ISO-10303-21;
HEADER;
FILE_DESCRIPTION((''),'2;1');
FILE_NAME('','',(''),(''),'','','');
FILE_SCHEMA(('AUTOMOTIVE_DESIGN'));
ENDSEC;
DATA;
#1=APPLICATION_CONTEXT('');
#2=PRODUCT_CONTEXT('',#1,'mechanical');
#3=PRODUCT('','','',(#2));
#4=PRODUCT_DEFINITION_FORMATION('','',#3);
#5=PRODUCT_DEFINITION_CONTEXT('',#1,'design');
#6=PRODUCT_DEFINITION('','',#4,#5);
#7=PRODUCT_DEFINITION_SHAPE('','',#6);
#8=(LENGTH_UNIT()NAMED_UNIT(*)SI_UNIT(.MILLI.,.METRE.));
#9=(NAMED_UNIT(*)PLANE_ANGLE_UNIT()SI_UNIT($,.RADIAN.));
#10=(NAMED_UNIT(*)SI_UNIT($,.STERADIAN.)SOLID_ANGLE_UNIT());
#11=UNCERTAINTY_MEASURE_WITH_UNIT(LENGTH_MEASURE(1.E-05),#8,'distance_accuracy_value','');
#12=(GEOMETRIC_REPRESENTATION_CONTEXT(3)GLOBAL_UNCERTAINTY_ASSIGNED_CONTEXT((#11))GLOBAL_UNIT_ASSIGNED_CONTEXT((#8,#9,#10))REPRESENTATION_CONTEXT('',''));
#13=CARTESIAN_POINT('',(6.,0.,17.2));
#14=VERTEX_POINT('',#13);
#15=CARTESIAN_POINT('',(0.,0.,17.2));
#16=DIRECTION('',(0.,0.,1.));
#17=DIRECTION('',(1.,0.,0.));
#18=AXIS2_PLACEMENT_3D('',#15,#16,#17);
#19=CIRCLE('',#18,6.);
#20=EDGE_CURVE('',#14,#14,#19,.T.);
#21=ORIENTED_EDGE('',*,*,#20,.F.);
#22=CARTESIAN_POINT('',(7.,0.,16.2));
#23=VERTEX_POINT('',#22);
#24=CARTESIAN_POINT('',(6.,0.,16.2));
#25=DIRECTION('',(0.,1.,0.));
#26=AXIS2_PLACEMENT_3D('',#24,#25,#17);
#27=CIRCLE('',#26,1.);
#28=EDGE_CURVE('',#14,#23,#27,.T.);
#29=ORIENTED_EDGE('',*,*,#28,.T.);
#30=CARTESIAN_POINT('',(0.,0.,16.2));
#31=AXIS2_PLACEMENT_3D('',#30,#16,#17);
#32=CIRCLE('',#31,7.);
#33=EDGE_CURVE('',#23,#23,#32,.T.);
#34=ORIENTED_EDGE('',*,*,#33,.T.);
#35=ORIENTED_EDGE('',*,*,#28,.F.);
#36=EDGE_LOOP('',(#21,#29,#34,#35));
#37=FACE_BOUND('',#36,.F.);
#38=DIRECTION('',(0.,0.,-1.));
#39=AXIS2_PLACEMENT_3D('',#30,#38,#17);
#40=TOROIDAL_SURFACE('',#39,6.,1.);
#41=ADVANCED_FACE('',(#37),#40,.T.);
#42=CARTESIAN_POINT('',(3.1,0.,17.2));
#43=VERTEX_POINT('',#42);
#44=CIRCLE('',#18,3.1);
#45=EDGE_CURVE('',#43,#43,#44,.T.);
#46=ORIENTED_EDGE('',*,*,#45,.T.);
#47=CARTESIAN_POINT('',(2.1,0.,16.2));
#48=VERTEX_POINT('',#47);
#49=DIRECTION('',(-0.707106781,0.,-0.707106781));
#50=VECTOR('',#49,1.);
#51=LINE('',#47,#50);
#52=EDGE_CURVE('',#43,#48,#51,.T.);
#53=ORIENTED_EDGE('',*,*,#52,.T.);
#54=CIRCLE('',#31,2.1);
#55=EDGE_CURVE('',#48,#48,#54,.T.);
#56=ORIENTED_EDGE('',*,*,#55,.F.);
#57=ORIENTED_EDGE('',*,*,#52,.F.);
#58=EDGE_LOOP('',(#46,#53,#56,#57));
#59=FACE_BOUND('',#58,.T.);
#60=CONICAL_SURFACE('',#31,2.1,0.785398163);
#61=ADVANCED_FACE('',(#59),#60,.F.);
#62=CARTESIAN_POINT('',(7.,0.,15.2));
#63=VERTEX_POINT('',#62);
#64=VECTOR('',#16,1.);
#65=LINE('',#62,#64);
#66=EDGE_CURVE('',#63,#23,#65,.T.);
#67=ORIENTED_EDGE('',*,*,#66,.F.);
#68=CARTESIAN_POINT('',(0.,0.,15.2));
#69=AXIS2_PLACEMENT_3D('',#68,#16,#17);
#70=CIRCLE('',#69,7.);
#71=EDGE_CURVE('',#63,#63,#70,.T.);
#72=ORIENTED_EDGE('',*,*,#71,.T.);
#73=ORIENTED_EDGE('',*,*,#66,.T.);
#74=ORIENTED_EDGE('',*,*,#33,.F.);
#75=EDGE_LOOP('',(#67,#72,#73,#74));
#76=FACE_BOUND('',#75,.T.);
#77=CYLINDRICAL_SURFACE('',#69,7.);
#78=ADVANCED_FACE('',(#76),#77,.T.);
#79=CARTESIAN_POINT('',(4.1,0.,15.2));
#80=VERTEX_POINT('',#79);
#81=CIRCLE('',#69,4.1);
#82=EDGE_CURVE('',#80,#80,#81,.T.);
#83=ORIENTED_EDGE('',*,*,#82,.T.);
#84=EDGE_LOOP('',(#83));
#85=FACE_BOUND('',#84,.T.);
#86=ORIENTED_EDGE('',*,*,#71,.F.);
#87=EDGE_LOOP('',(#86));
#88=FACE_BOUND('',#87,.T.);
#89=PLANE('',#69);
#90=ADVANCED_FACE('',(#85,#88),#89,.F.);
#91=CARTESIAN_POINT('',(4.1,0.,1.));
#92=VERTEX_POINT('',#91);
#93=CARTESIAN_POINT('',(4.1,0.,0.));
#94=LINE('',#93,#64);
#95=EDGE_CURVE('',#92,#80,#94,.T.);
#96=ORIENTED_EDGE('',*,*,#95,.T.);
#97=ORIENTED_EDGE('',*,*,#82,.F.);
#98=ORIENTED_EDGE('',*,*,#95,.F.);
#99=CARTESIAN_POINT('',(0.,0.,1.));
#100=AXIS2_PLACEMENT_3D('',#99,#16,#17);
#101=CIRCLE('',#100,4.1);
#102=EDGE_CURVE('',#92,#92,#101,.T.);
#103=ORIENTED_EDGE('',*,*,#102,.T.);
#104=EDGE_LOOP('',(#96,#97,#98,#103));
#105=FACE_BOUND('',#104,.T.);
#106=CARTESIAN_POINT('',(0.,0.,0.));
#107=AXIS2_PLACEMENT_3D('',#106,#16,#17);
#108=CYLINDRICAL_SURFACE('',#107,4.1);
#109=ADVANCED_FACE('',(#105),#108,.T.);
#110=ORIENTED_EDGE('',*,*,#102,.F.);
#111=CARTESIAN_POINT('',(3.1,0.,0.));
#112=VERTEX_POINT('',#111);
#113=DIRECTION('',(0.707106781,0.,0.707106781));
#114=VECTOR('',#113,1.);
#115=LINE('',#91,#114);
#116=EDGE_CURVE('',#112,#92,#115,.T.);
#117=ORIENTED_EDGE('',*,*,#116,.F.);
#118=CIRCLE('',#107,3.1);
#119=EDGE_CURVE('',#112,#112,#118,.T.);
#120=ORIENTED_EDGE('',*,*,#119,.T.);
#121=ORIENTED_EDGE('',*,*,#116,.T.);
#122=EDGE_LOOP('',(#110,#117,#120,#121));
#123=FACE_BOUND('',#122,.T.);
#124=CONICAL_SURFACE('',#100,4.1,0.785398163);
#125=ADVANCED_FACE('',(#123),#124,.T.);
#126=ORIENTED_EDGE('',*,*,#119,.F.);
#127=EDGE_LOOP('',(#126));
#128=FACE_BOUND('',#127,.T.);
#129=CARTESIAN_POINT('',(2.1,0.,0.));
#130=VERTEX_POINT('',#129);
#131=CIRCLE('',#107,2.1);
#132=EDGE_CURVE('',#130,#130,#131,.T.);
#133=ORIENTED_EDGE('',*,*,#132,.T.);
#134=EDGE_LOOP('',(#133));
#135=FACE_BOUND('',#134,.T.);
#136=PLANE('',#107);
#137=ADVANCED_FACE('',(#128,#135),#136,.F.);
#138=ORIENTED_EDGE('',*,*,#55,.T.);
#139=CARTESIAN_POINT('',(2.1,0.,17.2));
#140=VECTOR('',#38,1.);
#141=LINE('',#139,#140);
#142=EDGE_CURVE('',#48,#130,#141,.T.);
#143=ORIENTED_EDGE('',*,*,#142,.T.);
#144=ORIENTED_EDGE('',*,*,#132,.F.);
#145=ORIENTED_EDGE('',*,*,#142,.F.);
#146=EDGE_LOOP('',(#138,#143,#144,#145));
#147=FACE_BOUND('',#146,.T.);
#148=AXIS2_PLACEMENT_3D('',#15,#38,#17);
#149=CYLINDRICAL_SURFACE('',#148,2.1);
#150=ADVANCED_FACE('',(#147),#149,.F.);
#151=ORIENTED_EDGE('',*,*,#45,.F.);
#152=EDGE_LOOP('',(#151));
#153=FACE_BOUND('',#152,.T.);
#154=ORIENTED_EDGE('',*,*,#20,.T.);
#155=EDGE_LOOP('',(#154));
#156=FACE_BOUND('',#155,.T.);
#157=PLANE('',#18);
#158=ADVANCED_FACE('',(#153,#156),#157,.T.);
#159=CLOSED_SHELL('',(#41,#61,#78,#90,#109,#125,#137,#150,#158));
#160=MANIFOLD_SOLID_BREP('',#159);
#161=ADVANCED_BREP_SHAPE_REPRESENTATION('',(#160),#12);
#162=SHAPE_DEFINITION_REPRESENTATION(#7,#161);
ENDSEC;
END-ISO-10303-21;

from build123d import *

# Parameters (mm, degrees)
F2_SIZE = 1
F3_R    = 1


with BuildPart() as f1:
    # F0 (on Front) → F1 (revolve)
    with BuildSketch(Plane.XZ):
        Polygon((7, 17.2), (2.1, 17.2), (2.1, 0), (4.1, 0), (4.1, 15.2), (7, 15.2), align=None)
    revolve(axis=Axis((0, 0, 8.6), (0, 0, 1)))

    # F2
    f2_edges = [f1.edges().sort_by_distance(p)[0] for p in [
        (-2.1, 0, 17.2),
        (-4.1, 0, 0),
    ]]
    chamfer(f2_edges, length=F2_SIZE)

    # F3
    f3_edges = [f1.edges().sort_by_distance(p)[0] for p in [
        (-7, 0, 17.2),
    ]]
    fillet(f3_edges, radius=F3_R)


solid = f1.part
